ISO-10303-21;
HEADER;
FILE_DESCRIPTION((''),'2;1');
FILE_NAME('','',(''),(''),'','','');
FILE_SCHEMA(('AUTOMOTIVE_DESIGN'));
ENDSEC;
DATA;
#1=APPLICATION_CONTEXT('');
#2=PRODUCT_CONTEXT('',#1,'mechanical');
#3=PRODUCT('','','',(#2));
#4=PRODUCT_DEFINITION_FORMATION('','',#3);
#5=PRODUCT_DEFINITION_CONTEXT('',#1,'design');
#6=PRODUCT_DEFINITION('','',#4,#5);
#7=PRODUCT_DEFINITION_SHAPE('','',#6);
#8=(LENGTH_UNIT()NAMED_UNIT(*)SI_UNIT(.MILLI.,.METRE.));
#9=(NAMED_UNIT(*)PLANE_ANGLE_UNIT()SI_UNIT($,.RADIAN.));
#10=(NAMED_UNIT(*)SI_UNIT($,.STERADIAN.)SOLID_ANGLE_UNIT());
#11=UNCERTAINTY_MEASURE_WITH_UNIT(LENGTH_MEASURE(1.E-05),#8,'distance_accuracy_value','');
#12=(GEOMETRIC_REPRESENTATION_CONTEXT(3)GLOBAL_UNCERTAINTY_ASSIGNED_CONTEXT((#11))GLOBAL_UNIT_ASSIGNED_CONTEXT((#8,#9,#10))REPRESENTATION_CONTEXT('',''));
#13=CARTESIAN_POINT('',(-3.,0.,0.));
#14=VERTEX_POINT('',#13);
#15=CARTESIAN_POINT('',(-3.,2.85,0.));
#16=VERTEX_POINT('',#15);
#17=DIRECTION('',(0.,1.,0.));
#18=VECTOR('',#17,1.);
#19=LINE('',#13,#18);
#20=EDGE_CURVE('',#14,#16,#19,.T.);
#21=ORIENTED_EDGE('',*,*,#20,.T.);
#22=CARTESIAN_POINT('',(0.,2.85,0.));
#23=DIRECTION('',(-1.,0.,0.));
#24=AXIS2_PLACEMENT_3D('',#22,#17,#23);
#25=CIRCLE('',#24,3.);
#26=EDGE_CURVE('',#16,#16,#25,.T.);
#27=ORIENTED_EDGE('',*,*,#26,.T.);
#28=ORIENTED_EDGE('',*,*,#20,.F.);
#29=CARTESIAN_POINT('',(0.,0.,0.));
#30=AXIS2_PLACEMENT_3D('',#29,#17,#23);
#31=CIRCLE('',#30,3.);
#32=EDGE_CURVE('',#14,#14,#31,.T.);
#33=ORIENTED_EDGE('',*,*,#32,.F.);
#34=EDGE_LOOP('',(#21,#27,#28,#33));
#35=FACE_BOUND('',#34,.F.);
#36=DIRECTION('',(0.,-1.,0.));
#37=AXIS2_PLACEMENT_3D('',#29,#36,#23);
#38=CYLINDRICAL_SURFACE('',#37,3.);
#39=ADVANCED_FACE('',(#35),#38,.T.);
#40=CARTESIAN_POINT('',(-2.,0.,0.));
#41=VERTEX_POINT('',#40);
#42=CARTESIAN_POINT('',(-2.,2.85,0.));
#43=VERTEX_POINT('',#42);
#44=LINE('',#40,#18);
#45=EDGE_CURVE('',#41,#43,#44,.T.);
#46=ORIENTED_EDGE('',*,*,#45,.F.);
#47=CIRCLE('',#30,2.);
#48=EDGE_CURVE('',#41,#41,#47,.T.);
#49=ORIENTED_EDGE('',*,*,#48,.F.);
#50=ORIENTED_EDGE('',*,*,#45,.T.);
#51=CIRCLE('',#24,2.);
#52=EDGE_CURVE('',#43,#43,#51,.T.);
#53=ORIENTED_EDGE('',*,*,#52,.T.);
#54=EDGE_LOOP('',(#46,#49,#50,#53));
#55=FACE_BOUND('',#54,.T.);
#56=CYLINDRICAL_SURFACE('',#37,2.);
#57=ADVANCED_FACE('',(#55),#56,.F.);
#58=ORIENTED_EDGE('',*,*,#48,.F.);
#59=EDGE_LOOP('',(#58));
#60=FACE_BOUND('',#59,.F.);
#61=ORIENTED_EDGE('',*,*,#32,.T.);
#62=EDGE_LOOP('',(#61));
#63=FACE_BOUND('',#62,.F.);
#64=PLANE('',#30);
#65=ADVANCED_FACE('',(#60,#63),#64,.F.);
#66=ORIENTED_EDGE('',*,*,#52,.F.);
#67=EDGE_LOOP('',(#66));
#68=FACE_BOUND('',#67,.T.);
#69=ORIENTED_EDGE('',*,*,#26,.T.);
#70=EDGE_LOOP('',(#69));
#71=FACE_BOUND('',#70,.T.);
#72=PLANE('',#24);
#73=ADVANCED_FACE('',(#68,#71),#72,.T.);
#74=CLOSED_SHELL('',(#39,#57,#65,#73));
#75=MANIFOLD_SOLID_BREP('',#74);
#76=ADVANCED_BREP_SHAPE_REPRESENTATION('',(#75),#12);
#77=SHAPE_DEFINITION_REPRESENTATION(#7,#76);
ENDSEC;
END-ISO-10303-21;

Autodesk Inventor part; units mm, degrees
ref_plane "YZ Plane" through (0, 0, 0) normal (1, 0, 0) x (0, 1, 0)
ref_plane "XZ Plane" through (0, 0, 0) normal (0, 1, 0) x (-1, 0, 0)
ref_plane "XY Plane" through (0, 0, 0) normal (0, 0, 1) x (1, 0, 0)
sketch "Sketch1" plane through (0, 0, 0) normal (0, 1, 0) x (-1, 0, 0)
  circle A0 centre (0, 0) radius 3
  circle A1 centre (0, 0) radius 2
  dimension "d0" = 6
  dimension "d3" = 4
extrude "Extrusion1" add sketch "Sketch1" along normal blind 2.85 contours A0 | A1
extrude "Extrusion2" cut sketch "Sketch1" along normal blind 2.85 contours A1
properties part number "Printed Standoff 2.85mm"
